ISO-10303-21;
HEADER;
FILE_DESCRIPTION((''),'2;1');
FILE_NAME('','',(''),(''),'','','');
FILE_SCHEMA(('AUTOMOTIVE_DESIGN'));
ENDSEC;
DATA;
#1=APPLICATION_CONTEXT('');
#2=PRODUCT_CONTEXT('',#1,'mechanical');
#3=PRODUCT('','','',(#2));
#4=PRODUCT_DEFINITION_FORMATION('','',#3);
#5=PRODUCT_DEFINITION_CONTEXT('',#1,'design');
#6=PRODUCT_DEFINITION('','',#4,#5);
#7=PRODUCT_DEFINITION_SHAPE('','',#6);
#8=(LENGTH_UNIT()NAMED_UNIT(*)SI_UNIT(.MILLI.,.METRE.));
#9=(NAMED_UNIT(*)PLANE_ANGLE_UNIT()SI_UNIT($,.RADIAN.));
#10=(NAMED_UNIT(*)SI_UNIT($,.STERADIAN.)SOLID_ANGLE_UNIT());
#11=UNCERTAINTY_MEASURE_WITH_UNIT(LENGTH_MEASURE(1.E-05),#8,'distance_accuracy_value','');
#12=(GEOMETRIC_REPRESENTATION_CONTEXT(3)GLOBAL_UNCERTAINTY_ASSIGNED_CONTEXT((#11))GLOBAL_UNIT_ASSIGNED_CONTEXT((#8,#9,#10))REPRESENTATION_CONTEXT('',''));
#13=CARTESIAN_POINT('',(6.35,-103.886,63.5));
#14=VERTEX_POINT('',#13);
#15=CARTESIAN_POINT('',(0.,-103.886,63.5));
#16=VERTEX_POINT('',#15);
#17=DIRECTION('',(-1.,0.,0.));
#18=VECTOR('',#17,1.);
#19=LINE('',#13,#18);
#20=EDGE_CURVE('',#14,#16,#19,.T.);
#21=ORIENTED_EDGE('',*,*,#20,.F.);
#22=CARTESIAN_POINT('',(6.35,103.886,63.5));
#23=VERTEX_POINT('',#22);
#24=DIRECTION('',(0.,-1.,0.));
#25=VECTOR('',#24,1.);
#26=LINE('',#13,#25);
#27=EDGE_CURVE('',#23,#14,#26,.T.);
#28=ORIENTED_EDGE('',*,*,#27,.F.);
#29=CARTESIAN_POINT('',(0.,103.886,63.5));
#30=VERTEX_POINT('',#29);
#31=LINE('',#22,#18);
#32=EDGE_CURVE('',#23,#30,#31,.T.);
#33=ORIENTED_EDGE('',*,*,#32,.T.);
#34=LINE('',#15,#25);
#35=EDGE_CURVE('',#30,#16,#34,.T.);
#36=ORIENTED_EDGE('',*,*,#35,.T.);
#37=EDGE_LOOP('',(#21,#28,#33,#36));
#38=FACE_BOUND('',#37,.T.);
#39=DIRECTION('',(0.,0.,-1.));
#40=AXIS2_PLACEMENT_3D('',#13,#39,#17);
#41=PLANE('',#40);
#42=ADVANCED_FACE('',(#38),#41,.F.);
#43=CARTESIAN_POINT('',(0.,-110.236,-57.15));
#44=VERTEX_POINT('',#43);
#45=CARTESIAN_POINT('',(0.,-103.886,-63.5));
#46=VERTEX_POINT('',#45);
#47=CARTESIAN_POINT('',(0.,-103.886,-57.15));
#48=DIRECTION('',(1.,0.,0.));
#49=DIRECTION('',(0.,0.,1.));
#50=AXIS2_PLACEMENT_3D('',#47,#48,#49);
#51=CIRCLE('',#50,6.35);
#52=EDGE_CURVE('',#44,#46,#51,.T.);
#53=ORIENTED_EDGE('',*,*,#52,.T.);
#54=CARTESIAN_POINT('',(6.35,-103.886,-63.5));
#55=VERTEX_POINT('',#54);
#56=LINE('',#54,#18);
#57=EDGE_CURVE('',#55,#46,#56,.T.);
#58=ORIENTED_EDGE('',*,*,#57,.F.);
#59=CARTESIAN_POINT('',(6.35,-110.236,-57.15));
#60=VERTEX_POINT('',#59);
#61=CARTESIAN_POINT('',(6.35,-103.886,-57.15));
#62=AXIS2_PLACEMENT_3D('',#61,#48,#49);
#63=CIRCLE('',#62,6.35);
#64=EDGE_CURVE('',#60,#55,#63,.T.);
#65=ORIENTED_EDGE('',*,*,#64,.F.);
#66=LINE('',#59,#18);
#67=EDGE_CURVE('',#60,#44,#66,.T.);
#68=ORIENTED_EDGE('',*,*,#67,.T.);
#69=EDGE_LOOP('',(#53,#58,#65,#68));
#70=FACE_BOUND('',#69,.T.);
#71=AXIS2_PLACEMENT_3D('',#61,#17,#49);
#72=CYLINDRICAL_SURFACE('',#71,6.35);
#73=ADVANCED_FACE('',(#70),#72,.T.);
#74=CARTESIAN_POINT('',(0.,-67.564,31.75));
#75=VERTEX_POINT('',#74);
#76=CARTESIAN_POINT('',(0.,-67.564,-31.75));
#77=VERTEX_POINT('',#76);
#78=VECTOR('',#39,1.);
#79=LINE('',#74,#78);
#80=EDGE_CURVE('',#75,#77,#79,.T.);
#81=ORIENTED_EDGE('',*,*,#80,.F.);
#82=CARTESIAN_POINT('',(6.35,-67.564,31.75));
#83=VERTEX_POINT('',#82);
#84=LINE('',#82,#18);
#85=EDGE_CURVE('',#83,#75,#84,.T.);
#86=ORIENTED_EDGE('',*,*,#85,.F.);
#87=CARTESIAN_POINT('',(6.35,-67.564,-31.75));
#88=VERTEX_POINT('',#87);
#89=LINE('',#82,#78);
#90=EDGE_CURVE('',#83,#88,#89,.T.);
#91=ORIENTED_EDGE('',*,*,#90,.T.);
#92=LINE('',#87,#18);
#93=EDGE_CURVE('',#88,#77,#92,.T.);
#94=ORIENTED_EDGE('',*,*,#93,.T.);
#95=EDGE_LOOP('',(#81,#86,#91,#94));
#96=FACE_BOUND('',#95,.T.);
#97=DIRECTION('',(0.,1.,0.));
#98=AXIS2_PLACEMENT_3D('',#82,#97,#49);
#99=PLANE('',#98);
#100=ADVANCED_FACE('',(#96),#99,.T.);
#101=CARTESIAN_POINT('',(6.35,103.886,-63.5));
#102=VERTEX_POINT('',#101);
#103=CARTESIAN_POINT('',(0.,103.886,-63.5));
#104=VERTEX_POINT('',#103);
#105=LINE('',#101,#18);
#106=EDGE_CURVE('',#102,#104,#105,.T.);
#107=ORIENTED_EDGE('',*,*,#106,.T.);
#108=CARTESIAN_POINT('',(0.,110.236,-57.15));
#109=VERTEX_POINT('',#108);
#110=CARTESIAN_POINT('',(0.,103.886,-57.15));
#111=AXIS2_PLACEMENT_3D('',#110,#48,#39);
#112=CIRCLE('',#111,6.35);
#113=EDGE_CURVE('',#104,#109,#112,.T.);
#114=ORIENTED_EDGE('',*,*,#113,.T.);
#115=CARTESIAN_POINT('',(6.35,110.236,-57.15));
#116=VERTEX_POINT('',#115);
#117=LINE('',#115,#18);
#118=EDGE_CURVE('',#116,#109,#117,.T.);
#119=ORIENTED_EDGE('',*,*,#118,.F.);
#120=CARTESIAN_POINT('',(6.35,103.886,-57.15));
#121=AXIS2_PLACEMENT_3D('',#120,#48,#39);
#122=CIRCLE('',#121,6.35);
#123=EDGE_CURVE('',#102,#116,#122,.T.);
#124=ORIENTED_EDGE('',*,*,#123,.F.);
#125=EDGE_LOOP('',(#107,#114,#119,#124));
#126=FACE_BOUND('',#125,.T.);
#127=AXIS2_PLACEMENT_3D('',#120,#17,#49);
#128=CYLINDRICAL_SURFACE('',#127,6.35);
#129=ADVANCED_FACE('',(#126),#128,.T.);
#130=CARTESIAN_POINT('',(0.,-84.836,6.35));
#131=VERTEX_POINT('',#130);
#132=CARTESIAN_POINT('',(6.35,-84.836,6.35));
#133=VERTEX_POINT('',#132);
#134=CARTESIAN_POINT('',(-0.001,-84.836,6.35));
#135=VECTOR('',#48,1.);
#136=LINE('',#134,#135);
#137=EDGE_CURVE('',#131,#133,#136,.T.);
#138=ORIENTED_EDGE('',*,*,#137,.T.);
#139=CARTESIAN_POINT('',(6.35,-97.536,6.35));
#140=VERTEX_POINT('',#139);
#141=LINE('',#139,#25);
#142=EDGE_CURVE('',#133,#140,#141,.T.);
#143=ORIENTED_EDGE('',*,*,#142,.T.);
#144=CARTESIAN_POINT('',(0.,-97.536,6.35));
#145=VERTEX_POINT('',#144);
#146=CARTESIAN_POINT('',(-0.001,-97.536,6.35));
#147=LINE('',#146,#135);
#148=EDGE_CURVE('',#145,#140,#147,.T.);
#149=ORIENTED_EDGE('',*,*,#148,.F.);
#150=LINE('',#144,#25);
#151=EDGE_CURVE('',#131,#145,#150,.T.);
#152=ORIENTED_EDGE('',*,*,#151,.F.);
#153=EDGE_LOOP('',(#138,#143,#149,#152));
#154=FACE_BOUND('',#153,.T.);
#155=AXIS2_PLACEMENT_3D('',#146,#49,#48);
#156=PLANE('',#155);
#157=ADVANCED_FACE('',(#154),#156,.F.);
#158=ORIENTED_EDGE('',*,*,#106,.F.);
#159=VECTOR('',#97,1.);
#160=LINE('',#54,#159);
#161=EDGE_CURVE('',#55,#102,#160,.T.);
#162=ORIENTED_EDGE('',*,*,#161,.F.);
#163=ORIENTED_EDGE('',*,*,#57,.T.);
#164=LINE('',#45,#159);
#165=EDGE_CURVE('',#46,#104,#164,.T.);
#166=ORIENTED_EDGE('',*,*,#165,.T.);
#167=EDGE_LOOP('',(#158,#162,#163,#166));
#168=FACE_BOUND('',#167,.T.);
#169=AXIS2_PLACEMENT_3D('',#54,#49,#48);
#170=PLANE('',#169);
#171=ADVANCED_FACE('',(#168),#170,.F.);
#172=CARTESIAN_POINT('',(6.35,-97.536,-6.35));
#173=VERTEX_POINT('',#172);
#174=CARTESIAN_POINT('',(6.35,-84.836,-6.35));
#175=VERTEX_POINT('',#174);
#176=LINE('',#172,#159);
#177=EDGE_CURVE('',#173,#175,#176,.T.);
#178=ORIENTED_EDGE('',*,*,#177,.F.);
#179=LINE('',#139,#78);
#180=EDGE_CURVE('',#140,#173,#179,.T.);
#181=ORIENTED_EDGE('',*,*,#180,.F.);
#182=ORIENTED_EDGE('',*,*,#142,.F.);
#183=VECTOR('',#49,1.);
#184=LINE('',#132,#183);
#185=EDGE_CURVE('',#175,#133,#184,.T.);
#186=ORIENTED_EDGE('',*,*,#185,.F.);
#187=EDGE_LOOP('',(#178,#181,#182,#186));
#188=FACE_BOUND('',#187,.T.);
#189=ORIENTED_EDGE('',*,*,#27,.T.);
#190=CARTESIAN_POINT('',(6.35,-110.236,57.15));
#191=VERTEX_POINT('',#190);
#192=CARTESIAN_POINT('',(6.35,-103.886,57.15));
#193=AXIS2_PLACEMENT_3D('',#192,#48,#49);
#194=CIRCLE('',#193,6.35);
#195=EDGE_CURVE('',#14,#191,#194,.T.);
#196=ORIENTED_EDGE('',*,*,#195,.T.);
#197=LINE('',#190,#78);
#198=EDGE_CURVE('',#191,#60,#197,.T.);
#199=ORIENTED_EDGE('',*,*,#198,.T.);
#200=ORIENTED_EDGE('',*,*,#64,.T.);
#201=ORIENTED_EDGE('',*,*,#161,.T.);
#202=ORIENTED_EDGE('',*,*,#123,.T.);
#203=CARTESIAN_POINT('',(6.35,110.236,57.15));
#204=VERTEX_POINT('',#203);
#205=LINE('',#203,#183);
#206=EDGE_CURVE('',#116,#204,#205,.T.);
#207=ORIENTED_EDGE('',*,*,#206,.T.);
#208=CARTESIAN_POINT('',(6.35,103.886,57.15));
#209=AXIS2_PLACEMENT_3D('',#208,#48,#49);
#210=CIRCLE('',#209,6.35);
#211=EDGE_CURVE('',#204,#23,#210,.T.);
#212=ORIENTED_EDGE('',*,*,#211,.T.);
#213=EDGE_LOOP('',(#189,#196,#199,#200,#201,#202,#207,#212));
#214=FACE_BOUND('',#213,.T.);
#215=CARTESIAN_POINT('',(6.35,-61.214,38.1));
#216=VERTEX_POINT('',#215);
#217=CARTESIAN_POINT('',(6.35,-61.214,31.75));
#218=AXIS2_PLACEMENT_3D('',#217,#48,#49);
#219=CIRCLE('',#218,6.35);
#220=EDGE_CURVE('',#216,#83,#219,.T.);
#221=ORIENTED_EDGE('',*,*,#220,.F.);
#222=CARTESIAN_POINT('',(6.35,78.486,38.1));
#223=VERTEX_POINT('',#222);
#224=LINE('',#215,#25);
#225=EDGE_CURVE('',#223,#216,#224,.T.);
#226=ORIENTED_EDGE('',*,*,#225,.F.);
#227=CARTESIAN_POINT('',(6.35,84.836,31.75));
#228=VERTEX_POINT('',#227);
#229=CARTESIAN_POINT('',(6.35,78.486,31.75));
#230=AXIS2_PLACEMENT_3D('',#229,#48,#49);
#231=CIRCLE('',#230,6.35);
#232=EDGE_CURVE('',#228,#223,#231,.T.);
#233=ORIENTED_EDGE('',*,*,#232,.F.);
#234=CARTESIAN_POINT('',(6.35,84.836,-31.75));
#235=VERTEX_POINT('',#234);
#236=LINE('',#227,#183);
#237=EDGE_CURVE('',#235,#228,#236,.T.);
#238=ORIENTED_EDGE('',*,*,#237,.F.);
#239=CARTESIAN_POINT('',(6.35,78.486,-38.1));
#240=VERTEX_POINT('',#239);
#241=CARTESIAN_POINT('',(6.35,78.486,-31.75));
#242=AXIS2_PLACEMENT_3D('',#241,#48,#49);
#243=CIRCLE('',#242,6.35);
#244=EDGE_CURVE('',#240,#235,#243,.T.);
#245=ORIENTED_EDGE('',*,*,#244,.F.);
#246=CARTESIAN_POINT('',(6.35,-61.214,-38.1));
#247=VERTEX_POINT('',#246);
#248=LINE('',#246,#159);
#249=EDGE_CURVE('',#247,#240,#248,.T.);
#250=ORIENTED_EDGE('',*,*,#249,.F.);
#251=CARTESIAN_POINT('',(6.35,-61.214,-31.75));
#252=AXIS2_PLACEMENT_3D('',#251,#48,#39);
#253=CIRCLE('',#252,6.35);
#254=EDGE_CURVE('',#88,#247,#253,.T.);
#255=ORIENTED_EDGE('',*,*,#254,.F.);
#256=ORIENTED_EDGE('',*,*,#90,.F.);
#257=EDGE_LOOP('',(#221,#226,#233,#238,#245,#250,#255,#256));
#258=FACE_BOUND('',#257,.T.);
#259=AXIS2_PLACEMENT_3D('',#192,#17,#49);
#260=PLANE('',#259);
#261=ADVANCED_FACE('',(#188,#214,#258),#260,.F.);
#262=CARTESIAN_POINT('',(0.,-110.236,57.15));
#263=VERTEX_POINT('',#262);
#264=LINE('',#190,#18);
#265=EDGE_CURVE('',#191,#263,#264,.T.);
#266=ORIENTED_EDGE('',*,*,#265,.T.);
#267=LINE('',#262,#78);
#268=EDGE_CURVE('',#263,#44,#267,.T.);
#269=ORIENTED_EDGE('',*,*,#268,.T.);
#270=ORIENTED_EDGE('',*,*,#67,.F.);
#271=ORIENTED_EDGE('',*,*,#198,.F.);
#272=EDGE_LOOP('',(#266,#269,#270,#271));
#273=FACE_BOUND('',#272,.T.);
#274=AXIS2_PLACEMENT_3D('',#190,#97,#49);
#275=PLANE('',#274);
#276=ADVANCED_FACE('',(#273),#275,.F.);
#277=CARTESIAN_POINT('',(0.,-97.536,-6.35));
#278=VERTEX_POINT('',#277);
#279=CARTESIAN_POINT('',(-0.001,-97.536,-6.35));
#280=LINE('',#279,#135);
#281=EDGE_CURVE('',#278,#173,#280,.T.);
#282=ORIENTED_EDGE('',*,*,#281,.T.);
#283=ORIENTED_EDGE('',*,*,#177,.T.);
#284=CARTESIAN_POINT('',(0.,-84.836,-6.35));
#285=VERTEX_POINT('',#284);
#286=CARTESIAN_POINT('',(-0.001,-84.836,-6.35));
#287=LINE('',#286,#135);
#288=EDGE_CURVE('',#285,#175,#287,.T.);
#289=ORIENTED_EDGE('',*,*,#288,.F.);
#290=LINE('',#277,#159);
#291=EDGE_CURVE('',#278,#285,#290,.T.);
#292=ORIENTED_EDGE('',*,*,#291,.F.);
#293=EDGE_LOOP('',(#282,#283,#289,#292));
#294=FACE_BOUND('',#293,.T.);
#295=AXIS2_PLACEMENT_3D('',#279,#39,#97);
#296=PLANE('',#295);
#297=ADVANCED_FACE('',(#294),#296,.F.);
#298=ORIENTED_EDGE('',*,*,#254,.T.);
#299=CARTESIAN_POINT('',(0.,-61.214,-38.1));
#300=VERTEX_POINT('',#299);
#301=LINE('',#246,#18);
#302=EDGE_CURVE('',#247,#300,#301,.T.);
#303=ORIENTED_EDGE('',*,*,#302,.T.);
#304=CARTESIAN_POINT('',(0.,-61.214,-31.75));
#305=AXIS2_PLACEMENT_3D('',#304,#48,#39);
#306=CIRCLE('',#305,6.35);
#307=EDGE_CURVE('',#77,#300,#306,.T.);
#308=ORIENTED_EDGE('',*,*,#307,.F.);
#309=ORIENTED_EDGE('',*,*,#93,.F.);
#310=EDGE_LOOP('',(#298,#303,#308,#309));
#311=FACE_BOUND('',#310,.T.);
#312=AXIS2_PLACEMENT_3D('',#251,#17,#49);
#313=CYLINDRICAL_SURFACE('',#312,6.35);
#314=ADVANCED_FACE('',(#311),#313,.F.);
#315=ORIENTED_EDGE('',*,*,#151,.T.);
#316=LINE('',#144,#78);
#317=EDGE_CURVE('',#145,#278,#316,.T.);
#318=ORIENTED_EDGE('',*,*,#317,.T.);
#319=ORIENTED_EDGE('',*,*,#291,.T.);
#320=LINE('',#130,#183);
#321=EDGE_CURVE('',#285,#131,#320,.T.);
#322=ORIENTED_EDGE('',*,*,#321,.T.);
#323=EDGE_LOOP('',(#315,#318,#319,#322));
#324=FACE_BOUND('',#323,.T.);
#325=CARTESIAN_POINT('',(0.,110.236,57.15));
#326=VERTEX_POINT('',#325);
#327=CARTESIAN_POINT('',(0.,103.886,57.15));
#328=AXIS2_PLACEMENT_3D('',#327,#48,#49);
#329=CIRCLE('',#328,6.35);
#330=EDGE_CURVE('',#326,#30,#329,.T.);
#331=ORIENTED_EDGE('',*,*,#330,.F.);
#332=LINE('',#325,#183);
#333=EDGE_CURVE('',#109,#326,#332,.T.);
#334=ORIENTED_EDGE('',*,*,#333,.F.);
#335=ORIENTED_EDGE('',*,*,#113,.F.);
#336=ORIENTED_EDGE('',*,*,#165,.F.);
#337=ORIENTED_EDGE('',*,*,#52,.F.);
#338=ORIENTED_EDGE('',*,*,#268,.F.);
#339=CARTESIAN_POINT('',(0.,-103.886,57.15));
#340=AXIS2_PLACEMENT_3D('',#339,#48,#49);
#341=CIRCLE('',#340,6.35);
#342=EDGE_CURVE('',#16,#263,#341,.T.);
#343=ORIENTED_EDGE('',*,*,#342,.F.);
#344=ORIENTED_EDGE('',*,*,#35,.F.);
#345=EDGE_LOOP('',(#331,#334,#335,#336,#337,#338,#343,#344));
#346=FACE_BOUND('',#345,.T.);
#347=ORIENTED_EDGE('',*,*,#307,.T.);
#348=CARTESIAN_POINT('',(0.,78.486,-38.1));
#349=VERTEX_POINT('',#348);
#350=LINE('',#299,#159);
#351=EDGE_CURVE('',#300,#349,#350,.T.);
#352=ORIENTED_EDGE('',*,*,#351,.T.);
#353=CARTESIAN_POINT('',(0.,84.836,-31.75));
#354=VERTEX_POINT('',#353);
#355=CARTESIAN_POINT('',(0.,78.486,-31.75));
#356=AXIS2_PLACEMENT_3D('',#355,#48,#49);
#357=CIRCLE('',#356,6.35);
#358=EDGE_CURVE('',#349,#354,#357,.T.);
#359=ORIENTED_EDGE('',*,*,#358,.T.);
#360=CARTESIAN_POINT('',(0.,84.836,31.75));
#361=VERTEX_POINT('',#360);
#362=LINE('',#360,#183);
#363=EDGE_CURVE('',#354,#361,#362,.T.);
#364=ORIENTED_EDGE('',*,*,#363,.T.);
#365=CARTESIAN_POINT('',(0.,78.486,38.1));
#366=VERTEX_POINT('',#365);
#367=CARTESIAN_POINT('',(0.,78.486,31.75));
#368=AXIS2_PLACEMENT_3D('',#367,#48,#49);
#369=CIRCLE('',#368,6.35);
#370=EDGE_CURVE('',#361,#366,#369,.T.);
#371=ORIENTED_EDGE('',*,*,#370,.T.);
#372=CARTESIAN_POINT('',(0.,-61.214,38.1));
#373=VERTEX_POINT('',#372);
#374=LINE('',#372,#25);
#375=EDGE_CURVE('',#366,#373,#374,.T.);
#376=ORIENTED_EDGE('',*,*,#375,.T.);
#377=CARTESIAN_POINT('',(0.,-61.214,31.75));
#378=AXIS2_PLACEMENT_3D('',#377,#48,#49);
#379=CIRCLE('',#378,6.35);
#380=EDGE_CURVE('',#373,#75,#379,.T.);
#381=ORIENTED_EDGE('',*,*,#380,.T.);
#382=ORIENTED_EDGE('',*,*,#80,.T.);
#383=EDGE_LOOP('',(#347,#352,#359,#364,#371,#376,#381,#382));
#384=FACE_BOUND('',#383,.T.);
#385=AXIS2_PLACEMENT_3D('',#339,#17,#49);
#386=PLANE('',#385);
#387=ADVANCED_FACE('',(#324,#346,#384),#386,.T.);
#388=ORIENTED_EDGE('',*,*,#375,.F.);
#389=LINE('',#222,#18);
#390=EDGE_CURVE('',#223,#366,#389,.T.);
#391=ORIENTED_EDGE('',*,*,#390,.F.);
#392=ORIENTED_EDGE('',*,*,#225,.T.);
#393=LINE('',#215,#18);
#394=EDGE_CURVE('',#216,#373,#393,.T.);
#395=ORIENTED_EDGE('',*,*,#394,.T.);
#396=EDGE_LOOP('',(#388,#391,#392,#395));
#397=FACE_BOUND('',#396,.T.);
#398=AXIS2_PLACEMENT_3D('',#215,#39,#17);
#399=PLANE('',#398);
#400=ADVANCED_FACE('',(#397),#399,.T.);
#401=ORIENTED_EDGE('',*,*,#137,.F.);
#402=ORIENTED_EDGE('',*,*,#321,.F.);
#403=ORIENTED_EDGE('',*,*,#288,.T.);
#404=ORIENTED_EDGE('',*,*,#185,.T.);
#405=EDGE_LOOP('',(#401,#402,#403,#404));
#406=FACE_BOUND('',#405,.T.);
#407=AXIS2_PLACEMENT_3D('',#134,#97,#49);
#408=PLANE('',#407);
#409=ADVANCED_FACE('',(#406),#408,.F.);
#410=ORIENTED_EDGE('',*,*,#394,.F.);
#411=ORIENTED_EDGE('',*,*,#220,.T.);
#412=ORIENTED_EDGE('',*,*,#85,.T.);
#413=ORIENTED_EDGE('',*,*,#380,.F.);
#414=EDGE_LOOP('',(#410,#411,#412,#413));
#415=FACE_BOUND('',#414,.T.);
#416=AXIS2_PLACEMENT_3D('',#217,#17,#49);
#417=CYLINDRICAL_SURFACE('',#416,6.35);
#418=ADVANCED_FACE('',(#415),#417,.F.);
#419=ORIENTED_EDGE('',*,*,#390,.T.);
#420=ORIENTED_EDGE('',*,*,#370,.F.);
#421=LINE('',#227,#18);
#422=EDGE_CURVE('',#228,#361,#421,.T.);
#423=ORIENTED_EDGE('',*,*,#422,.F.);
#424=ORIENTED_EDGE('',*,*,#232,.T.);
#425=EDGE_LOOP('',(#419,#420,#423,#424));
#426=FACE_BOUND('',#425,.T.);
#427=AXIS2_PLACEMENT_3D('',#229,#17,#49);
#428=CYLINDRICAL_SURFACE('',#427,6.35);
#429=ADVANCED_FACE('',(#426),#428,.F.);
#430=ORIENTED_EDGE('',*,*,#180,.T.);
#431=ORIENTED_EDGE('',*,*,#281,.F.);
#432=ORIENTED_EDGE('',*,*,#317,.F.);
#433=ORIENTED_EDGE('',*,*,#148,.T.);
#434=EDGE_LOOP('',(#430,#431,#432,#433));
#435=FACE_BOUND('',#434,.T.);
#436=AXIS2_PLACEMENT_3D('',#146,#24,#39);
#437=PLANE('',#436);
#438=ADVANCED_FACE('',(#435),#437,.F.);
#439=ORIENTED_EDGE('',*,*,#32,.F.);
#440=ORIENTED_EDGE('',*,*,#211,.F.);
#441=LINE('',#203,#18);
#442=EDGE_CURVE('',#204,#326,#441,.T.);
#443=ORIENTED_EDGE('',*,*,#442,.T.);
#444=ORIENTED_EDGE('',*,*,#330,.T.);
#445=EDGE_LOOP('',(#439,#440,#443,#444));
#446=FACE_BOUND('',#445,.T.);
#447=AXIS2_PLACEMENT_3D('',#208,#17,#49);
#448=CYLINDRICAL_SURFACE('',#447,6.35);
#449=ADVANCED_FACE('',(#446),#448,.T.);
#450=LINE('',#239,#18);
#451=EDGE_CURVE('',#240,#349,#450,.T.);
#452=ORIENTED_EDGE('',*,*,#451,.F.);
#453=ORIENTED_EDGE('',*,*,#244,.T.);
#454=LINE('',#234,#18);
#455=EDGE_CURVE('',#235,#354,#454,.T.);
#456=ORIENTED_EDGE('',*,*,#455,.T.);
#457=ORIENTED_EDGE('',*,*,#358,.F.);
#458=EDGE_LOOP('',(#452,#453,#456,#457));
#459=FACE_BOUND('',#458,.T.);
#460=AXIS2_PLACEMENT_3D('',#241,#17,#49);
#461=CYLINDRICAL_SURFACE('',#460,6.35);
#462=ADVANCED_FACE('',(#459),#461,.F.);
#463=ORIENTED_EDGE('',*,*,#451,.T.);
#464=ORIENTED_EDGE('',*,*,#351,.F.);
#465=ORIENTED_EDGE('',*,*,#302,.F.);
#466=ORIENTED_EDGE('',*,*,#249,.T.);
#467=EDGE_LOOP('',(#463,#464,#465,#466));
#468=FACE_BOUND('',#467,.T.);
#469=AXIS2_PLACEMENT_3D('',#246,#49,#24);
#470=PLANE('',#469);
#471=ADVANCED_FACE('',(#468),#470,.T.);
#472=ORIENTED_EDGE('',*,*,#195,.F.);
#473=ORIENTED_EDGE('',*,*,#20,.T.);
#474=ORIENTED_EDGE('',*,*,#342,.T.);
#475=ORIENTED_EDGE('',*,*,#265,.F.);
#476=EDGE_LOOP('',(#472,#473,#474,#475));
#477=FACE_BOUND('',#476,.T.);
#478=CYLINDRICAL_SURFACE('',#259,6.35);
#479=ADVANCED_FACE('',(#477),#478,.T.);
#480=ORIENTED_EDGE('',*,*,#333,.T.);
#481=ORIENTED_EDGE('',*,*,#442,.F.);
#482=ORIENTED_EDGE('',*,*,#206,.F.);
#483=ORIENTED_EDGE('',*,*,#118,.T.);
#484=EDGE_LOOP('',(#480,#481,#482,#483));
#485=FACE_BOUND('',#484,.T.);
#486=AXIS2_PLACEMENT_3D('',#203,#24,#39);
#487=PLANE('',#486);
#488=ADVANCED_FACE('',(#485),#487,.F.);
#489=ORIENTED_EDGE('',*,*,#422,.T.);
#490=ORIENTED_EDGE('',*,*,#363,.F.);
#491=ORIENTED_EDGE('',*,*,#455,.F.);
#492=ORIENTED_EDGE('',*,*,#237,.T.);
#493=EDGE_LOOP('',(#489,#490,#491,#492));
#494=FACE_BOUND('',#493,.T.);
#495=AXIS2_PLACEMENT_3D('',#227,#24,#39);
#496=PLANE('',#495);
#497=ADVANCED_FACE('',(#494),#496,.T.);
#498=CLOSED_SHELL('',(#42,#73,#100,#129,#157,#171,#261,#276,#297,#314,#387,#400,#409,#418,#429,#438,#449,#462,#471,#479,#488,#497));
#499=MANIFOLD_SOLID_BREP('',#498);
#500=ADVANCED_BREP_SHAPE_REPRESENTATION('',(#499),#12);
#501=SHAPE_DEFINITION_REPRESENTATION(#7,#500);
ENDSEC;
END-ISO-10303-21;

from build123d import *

# Parameters (mm, degrees)
BOSS_EXTRUDE2_DEPTH = 6.35
CUT_EXTRUDE1_REACH  = 129.376
SKETCH4_W           = 12.7
SKETCH4_H           = 12.7


with BuildPart() as part:
    # Sketch3 → Boss-Extrude2 (new body)
    with BuildSketch(Plane(origin=(0, 0, 0), x_dir=(0, 0, -1), z_dir=(1, 0, 0))):
        with BuildLine():
            Line((-57.15, -110.236), (57.15, -110.236))
            ThreePointArc((57.15, -110.236), (61.640128061, -108.376128061), (63.5, -103.886))
            Line((63.5, -103.886), (63.5, 103.886))
            ThreePointArc((63.5, 103.886), (61.640128061, 108.376128061), (57.15, 110.236))
            Line((57.15, 110.236), (-57.15, 110.236))
            ThreePointArc((-57.15, 110.236), (-61.640128061, 108.376128061), (-63.5, 103.886))
            Line((-63.5, 103.886), (-63.5, -103.886))
            ThreePointArc((-63.5, -103.886), (-61.640128061, -108.376128061), (-57.15, -110.236))
        make_face()
        with BuildLine():
            Line((-31.75, -67.564), (31.75, -67.564))
            ThreePointArc((31.75, -67.564), (36.240128061, -65.704128061), (38.1, -61.214))
            Line((38.1, -61.214), (38.1, 78.486))
            ThreePointArc((38.1, 78.486), (36.240128061, 82.976128061), (31.75, 84.836))
            Line((31.75, 84.836), (-31.75, 84.836))
            ThreePointArc((-31.75, 84.836), (-36.240128061, 82.976128061), (-38.1, 78.486))
            Line((-38.1, 78.486), (-38.1, -61.214))
            ThreePointArc((-38.1, -61.214), (-36.240128061, -65.704128061), (-31.75, -67.564))
        make_face(mode=Mode.SUBTRACT)
    extrude(amount=BOSS_EXTRUDE2_DEPTH)

    # Sketch4 → Cut-Extrude1 (cut, up to next)
    with BuildSketch(Plane(origin=(6.35, 0, 0), x_dir=(0, 0, -1), z_dir=(1, 0, 0)), mode=Mode.PRIVATE) as cut_extrude1_sk1:
        with Locations((0, -91.186)):
            Rectangle(SKETCH4_W, SKETCH4_H)
    cut_extrude1_tool1 = extrude(cut_extrude1_sk1.sketch, amount=-CUT_EXTRUDE1_REACH, mode=Mode.PRIVATE) & part.part
    add(cut_extrude1_tool1.solids().sort_by_distance((6.35, -91.186, 0))[0], mode=Mode.SUBTRACT)


solid = part.part
